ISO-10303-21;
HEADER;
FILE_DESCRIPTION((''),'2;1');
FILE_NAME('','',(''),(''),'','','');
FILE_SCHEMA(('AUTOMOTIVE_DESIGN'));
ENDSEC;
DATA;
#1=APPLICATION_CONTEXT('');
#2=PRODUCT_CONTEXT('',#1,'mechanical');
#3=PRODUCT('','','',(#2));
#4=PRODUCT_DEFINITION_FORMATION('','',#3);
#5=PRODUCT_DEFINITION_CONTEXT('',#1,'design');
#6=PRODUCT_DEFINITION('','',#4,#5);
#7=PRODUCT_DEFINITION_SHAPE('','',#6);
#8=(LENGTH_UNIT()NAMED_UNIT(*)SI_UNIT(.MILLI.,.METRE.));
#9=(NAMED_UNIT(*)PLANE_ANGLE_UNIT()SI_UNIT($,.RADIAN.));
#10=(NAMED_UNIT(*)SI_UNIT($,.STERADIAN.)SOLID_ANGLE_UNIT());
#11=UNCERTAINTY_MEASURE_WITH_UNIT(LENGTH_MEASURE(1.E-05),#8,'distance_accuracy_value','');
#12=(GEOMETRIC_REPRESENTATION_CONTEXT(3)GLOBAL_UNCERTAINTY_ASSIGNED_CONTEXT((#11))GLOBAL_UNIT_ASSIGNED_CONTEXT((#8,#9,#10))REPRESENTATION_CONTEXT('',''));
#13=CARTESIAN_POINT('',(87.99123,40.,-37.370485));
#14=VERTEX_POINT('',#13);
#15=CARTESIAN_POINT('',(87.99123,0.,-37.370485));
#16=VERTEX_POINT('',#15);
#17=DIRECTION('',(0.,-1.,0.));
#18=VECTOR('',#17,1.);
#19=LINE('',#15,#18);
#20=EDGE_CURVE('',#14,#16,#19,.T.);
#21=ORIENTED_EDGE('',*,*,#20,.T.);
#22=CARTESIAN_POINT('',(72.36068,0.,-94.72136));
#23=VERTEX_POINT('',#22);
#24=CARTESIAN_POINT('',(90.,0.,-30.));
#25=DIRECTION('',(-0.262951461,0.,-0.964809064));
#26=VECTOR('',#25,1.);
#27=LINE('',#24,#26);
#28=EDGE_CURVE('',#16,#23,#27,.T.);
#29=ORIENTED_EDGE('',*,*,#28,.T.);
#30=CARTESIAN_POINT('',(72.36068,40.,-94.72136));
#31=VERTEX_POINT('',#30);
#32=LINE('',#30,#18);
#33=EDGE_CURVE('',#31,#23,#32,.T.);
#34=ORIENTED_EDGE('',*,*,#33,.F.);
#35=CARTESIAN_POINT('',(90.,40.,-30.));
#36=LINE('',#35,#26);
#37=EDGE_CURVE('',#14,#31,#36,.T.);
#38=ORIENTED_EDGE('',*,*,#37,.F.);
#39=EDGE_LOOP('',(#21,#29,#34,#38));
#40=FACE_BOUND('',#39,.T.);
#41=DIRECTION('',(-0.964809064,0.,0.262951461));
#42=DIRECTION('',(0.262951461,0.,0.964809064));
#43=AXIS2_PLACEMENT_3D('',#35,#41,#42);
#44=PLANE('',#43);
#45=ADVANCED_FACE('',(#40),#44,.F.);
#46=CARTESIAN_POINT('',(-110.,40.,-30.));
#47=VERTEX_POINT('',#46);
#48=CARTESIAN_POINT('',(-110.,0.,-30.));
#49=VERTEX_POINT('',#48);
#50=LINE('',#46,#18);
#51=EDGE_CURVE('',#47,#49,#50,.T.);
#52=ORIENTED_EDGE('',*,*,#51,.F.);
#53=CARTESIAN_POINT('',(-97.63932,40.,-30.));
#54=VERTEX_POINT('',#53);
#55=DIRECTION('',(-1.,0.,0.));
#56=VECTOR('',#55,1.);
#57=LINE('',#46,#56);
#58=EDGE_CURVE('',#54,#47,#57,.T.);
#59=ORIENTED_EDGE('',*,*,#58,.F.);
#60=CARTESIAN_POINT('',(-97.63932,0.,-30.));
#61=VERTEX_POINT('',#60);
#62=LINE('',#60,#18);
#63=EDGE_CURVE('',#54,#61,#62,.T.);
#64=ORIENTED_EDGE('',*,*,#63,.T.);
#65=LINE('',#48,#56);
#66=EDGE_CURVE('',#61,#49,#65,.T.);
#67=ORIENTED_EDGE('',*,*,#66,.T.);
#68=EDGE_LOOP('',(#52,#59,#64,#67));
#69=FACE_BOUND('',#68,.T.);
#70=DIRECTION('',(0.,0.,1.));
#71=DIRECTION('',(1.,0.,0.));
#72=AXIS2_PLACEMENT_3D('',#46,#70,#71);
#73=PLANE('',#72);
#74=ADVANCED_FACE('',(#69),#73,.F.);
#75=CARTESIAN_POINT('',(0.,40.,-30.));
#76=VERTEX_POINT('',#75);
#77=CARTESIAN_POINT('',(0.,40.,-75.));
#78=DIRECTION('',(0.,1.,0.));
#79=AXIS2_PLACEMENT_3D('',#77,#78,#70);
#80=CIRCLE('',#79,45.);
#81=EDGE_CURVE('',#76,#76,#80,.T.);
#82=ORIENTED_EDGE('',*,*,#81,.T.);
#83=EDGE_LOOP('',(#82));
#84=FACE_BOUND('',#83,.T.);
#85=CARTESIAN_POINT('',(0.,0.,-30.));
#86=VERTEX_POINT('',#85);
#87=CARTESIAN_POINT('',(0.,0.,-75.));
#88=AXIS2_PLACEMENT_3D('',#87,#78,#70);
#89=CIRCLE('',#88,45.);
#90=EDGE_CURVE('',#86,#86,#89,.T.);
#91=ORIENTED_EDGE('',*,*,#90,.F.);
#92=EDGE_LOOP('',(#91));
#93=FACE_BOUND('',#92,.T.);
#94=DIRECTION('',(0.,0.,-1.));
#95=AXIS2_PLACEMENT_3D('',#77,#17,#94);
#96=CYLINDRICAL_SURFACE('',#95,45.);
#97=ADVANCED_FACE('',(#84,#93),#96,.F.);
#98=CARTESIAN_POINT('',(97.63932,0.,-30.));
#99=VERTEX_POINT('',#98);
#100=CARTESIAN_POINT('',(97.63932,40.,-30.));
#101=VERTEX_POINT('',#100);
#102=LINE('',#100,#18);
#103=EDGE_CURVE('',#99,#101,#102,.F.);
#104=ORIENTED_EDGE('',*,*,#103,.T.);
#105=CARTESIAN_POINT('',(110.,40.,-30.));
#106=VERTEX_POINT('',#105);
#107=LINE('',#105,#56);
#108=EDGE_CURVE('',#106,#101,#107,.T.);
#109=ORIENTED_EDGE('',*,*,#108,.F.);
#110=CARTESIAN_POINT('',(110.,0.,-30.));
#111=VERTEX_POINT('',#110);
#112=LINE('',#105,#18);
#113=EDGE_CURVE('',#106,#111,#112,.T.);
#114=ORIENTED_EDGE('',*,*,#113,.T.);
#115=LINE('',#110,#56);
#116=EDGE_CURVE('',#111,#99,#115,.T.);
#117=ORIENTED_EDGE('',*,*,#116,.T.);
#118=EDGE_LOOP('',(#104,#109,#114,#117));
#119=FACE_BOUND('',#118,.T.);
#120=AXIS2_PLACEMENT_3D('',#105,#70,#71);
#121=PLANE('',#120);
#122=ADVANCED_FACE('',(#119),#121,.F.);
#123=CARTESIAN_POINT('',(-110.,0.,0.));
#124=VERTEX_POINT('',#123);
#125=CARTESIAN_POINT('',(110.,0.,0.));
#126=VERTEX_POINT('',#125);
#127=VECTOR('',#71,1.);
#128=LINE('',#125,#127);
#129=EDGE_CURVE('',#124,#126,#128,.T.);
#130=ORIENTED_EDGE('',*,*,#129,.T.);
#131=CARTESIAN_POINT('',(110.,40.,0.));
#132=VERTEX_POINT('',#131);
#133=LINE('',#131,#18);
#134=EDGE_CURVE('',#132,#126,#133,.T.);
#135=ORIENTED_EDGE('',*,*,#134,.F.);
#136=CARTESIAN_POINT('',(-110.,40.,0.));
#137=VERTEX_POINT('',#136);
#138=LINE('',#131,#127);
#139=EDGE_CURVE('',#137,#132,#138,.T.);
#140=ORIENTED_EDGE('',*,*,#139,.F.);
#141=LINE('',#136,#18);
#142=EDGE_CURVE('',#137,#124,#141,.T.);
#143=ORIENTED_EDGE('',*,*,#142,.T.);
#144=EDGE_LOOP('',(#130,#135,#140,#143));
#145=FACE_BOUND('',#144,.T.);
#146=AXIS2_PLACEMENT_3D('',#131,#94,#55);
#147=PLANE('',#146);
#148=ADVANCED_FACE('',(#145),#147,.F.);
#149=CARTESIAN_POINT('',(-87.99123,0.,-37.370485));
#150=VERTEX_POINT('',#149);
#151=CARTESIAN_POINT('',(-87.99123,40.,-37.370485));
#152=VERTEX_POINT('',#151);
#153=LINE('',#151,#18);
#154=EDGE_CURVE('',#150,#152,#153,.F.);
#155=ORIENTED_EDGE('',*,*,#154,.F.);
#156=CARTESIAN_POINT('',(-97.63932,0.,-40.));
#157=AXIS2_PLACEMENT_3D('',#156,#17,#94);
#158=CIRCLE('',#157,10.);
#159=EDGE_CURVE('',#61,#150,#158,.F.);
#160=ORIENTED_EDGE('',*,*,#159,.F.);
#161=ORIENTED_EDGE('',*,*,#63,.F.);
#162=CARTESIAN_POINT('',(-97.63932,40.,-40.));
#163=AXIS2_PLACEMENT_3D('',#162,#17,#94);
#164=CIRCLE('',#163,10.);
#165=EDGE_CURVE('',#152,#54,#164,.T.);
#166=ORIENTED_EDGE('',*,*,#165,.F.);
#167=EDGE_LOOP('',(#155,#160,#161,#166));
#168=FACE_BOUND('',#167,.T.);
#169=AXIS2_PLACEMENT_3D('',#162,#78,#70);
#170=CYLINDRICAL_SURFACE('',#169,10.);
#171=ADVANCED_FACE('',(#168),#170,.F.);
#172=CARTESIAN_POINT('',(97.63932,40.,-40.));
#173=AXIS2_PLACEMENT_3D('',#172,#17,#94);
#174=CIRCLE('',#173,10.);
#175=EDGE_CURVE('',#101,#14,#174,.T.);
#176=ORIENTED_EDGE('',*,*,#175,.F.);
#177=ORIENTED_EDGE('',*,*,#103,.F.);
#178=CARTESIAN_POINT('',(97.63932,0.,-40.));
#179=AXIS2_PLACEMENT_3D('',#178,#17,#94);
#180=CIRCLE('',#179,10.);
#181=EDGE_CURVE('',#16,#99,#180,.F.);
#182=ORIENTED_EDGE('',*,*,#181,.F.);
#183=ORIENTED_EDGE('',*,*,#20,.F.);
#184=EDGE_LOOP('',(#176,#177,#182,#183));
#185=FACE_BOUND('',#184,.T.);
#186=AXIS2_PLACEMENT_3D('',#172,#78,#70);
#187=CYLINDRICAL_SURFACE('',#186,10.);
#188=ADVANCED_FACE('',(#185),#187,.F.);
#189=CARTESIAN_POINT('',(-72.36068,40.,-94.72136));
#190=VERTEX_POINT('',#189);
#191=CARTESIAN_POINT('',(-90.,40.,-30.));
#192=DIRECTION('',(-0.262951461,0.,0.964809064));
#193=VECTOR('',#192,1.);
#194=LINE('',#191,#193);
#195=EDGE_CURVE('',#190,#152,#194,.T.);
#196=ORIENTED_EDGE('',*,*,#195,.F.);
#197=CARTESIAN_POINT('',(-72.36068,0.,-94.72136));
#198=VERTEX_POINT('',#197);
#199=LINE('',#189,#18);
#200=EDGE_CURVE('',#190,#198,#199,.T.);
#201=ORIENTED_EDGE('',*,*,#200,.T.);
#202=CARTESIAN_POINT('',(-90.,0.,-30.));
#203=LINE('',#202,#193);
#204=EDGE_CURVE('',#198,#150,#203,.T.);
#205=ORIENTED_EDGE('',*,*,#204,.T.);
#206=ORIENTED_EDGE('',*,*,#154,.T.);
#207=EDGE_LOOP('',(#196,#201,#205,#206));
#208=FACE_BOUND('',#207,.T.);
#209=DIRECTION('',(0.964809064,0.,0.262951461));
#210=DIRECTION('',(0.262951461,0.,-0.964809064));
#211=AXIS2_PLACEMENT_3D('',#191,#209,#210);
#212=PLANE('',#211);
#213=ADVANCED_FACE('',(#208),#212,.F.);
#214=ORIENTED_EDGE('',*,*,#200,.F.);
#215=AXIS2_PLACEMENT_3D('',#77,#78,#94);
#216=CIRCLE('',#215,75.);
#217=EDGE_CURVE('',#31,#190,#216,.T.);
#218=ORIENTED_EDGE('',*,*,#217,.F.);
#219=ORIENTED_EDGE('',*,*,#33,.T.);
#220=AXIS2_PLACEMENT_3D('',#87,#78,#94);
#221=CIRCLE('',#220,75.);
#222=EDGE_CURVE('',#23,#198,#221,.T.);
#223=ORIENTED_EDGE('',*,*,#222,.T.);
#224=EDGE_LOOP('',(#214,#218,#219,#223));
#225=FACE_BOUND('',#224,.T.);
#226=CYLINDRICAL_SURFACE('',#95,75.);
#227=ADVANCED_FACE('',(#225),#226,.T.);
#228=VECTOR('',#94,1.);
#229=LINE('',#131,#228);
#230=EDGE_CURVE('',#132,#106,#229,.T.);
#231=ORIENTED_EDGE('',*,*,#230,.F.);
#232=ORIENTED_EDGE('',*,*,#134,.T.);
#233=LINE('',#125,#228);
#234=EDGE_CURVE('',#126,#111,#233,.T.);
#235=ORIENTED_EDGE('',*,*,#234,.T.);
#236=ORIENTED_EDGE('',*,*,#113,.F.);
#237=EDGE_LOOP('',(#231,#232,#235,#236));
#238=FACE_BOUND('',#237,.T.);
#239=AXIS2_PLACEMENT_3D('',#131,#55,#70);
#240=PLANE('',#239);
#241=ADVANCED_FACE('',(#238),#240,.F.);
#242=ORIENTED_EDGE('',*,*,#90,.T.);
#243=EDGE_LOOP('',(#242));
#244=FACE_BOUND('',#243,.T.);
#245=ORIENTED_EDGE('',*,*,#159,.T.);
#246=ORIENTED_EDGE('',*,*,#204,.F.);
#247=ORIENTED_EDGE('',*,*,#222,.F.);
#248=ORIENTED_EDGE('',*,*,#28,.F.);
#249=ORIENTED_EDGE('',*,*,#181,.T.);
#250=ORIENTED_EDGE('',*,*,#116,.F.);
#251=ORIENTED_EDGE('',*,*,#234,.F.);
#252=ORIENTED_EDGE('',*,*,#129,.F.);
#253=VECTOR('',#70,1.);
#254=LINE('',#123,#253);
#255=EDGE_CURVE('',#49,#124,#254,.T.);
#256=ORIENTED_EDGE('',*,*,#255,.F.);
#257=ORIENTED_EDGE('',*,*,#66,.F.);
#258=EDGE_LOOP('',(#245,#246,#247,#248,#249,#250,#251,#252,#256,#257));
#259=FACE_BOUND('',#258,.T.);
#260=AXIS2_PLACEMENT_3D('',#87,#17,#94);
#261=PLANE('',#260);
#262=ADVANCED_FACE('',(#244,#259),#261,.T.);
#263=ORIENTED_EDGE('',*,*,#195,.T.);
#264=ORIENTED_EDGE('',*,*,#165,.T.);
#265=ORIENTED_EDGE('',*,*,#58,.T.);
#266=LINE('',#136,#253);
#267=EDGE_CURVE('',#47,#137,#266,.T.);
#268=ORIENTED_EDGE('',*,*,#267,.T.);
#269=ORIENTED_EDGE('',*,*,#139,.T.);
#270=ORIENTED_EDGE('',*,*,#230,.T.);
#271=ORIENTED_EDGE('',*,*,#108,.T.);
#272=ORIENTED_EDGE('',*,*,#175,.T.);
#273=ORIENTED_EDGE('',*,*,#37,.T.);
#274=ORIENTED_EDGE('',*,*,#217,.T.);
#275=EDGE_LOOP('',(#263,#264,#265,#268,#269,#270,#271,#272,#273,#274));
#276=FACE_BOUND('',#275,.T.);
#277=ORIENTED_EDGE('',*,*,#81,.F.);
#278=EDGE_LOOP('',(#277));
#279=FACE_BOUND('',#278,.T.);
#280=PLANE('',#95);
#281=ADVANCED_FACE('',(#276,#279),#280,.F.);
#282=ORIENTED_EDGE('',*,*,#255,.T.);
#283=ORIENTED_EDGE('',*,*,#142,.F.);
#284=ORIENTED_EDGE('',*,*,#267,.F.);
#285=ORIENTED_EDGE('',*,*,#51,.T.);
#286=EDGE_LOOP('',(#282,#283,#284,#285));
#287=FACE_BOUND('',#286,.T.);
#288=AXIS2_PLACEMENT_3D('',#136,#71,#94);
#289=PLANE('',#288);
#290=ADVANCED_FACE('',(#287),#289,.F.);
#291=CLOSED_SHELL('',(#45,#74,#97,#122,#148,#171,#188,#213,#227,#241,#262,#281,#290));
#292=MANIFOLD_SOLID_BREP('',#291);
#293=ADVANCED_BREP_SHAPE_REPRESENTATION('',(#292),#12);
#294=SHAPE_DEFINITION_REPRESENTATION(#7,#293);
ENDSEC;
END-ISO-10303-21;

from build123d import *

# Parameters (mm, degrees)
SKETCH_1_R      = 45
EXTRUDE_1_DEPTH = 40
FILLET_1_R      = 10


with BuildPart() as part:
    # 草图1 → 凸台-拉伸1 (new body)
    with BuildSketch(Plane(origin=(0, 0, 0), x_dir=(1, 0, 0), z_dir=(0, 1, 0))):
        with BuildLine():
            Line((110, 0), (-110, 0))
            Line((-110, 0), (-110, 30))
            Line((-110, 30), (-90, 30))
            Line((-90, 30), (-72.360679775, 94.72135955))
            ThreePointArc((-72.360679775, 94.72135955), (0, 150), (72.360679775, 94.72135955))
            Line((72.360679775, 94.72135955), (90, 30))
            Line((90, 30), (110, 30))
            Line((110, 30), (110, 0))
        make_face()
        with Locations(Location((0, 75, 0), (0, 0, 270))):
            Circle(SKETCH_1_R, mode=Mode.SUBTRACT)
    extrude(amount=EXTRUDE_1_DEPTH)

    # 圆角1
    fillet_1_edges = [part.edges().sort_by_distance(p)[0] for p in [
        (-90, 20, -30),
        (90, 20, -30),
    ]]
    fillet(fillet_1_edges, radius=FILLET_1_R)


solid = part.part
